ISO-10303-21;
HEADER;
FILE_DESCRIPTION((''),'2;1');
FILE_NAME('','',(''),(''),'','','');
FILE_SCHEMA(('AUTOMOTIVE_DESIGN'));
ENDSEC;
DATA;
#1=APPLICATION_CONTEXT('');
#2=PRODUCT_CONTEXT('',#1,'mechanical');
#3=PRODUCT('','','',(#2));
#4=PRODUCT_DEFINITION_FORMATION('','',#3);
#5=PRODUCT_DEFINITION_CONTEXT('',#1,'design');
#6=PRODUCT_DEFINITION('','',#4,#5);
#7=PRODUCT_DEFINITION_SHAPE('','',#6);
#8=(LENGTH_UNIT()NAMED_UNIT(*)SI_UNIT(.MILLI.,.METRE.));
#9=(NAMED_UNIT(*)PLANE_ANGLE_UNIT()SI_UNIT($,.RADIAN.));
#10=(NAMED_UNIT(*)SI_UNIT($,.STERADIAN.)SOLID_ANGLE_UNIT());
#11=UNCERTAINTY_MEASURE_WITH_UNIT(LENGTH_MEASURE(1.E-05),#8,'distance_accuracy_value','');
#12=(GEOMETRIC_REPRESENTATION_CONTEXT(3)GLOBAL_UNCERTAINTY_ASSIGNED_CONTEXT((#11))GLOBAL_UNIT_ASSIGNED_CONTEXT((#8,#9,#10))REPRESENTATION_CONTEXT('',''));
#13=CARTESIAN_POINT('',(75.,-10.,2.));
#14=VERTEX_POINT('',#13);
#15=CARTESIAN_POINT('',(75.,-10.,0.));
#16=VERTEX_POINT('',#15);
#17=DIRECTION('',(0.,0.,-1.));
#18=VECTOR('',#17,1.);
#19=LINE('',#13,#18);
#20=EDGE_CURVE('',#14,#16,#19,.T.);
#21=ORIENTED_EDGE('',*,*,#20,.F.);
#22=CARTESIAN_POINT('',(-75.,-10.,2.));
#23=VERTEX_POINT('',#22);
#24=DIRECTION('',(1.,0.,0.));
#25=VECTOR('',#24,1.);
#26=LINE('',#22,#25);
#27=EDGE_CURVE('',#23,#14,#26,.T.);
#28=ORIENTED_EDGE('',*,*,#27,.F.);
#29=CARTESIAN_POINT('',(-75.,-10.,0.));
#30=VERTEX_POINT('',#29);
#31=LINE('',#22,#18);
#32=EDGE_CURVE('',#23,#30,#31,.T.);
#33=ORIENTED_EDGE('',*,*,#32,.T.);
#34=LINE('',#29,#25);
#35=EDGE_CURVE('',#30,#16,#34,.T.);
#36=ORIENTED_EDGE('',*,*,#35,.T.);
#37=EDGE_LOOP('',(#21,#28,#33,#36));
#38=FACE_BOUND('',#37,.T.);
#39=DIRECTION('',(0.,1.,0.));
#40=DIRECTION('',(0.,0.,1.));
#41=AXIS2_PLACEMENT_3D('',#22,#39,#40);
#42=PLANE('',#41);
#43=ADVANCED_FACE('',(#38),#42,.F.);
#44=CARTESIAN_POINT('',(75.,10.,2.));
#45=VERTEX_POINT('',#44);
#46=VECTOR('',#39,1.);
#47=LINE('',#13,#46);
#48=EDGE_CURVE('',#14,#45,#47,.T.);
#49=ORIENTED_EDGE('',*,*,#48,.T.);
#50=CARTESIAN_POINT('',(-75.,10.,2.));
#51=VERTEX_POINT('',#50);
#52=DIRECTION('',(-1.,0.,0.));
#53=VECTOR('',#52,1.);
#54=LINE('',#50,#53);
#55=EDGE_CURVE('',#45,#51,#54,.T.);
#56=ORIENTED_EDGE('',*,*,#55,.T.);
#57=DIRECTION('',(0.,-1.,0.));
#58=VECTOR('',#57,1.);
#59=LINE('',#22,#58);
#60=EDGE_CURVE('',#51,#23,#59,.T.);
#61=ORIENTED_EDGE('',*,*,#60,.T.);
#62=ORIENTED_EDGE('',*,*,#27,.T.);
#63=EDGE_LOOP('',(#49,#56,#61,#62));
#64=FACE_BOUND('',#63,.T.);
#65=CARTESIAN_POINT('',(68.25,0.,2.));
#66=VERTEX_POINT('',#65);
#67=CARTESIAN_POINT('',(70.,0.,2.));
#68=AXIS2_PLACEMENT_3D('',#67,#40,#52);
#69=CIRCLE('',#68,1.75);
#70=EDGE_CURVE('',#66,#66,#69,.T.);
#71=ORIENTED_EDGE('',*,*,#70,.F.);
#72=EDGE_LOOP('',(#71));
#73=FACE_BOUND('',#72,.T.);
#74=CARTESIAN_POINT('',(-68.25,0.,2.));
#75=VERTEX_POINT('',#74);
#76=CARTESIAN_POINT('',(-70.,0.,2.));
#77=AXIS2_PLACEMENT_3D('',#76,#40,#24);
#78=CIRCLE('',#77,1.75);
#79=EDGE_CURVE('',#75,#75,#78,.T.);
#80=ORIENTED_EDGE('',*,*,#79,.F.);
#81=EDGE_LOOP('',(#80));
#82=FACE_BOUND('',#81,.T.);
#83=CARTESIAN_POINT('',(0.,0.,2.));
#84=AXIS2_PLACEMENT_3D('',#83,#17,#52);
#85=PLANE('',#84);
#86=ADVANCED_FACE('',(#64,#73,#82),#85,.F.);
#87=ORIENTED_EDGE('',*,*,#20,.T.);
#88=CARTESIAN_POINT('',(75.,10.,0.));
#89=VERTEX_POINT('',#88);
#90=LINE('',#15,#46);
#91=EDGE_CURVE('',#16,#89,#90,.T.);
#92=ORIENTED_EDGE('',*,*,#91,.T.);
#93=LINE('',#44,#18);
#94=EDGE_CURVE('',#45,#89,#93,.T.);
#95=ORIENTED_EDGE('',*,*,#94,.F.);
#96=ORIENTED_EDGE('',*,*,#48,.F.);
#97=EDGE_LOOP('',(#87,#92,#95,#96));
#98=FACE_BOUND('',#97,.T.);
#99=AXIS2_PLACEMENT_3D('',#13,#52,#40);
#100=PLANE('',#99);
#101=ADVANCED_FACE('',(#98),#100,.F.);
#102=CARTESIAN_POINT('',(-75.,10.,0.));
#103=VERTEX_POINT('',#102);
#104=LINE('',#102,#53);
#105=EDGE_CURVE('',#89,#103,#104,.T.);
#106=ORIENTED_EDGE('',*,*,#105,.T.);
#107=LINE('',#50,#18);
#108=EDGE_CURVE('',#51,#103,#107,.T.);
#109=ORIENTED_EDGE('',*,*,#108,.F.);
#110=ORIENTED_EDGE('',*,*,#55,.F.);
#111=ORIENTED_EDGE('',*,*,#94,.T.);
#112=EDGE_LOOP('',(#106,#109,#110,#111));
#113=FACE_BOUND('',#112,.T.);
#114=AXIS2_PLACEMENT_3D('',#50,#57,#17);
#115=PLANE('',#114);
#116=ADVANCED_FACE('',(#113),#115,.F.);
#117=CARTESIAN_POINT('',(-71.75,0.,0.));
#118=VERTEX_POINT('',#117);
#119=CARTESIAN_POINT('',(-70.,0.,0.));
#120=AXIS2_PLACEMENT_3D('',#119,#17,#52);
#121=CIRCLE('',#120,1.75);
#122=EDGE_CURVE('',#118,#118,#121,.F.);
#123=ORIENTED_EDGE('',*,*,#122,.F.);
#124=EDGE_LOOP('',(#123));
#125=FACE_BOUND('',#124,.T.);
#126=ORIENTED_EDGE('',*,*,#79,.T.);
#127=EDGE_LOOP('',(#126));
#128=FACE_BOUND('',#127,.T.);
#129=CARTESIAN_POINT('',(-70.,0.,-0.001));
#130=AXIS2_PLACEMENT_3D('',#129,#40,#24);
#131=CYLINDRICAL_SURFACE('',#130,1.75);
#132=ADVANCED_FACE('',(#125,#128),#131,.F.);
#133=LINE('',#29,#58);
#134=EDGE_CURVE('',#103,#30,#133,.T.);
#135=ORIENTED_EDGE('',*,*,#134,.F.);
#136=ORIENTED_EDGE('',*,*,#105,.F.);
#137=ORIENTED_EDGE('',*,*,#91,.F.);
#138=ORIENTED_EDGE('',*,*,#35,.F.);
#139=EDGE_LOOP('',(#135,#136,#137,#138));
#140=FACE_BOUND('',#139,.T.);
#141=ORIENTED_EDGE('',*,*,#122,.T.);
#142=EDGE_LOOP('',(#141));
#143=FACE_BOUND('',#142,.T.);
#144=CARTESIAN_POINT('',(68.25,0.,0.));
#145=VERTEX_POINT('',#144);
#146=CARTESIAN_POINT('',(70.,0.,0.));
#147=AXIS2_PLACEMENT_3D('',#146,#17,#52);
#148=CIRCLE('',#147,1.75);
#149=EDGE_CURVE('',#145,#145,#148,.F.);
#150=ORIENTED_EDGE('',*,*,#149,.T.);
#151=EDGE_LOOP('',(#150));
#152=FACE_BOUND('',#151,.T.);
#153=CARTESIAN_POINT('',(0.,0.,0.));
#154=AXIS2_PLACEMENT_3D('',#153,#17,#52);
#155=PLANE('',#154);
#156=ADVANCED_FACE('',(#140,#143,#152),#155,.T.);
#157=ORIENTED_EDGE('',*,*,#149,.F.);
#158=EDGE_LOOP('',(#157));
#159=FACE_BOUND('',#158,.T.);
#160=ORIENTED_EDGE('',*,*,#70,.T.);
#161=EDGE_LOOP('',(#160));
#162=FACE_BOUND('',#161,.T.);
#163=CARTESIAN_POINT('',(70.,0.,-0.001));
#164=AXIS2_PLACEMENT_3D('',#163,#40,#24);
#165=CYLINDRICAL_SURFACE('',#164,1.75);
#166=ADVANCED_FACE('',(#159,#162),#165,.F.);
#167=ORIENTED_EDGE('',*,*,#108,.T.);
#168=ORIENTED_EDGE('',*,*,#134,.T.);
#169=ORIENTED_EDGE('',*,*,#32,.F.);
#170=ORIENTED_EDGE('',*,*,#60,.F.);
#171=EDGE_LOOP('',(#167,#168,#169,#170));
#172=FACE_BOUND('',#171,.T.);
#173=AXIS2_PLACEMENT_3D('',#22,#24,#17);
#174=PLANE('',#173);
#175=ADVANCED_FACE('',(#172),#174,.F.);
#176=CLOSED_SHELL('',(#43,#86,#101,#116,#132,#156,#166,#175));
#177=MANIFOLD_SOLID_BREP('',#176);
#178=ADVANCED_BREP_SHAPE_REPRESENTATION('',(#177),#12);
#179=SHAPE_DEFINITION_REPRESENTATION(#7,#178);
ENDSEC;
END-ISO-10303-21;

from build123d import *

# Parameters (mm, degrees)
SKETCH1_W           = 150
SKETCH1_H           = 20
BOSS_EXTRUDE1_DEPTH = 2
CUT_EXTRUDE1_REACH  = 77.69
SKETCH2_R           = 1.75


with BuildPart() as part:
    # Sketch1 → Boss-Extrude1 (new body)
    with BuildSketch(Plane.XY):
        Rectangle(SKETCH1_W, SKETCH1_H)
    extrude(amount=BOSS_EXTRUDE1_DEPTH)

    # Sketch2 → Cut-Extrude1 (cut, up to next)
    with BuildSketch(Plane.XY.offset(2), mode=Mode.PRIVATE) as cut_extrude1_sk1:
        with Locations((-70, 0)):
            Circle(SKETCH2_R)
    cut_extrude1_tool1 = extrude(cut_extrude1_sk1.sketch, amount=-CUT_EXTRUDE1_REACH, mode=Mode.PRIVATE) & part.part
    # Sketch2 → Cut-Extrude1 (cut, up to next)
    with BuildSketch(Plane.XY.offset(2), mode=Mode.PRIVATE) as cut_extrude1_sk2:
        with Locations(Location((70, 0, 0), (0, 0, 180))):
            Circle(SKETCH2_R)
    cut_extrude1_tool2 = extrude(cut_extrude1_sk2.sketch, amount=-CUT_EXTRUDE1_REACH, mode=Mode.PRIVATE) & part.part
    add(cut_extrude1_tool1.solids().sort_by_distance((-70, 0, 2))[0], mode=Mode.SUBTRACT)
    add(cut_extrude1_tool2.solids().sort_by_distance((70, 0, 2))[0], mode=Mode.SUBTRACT)


solid = part.part
